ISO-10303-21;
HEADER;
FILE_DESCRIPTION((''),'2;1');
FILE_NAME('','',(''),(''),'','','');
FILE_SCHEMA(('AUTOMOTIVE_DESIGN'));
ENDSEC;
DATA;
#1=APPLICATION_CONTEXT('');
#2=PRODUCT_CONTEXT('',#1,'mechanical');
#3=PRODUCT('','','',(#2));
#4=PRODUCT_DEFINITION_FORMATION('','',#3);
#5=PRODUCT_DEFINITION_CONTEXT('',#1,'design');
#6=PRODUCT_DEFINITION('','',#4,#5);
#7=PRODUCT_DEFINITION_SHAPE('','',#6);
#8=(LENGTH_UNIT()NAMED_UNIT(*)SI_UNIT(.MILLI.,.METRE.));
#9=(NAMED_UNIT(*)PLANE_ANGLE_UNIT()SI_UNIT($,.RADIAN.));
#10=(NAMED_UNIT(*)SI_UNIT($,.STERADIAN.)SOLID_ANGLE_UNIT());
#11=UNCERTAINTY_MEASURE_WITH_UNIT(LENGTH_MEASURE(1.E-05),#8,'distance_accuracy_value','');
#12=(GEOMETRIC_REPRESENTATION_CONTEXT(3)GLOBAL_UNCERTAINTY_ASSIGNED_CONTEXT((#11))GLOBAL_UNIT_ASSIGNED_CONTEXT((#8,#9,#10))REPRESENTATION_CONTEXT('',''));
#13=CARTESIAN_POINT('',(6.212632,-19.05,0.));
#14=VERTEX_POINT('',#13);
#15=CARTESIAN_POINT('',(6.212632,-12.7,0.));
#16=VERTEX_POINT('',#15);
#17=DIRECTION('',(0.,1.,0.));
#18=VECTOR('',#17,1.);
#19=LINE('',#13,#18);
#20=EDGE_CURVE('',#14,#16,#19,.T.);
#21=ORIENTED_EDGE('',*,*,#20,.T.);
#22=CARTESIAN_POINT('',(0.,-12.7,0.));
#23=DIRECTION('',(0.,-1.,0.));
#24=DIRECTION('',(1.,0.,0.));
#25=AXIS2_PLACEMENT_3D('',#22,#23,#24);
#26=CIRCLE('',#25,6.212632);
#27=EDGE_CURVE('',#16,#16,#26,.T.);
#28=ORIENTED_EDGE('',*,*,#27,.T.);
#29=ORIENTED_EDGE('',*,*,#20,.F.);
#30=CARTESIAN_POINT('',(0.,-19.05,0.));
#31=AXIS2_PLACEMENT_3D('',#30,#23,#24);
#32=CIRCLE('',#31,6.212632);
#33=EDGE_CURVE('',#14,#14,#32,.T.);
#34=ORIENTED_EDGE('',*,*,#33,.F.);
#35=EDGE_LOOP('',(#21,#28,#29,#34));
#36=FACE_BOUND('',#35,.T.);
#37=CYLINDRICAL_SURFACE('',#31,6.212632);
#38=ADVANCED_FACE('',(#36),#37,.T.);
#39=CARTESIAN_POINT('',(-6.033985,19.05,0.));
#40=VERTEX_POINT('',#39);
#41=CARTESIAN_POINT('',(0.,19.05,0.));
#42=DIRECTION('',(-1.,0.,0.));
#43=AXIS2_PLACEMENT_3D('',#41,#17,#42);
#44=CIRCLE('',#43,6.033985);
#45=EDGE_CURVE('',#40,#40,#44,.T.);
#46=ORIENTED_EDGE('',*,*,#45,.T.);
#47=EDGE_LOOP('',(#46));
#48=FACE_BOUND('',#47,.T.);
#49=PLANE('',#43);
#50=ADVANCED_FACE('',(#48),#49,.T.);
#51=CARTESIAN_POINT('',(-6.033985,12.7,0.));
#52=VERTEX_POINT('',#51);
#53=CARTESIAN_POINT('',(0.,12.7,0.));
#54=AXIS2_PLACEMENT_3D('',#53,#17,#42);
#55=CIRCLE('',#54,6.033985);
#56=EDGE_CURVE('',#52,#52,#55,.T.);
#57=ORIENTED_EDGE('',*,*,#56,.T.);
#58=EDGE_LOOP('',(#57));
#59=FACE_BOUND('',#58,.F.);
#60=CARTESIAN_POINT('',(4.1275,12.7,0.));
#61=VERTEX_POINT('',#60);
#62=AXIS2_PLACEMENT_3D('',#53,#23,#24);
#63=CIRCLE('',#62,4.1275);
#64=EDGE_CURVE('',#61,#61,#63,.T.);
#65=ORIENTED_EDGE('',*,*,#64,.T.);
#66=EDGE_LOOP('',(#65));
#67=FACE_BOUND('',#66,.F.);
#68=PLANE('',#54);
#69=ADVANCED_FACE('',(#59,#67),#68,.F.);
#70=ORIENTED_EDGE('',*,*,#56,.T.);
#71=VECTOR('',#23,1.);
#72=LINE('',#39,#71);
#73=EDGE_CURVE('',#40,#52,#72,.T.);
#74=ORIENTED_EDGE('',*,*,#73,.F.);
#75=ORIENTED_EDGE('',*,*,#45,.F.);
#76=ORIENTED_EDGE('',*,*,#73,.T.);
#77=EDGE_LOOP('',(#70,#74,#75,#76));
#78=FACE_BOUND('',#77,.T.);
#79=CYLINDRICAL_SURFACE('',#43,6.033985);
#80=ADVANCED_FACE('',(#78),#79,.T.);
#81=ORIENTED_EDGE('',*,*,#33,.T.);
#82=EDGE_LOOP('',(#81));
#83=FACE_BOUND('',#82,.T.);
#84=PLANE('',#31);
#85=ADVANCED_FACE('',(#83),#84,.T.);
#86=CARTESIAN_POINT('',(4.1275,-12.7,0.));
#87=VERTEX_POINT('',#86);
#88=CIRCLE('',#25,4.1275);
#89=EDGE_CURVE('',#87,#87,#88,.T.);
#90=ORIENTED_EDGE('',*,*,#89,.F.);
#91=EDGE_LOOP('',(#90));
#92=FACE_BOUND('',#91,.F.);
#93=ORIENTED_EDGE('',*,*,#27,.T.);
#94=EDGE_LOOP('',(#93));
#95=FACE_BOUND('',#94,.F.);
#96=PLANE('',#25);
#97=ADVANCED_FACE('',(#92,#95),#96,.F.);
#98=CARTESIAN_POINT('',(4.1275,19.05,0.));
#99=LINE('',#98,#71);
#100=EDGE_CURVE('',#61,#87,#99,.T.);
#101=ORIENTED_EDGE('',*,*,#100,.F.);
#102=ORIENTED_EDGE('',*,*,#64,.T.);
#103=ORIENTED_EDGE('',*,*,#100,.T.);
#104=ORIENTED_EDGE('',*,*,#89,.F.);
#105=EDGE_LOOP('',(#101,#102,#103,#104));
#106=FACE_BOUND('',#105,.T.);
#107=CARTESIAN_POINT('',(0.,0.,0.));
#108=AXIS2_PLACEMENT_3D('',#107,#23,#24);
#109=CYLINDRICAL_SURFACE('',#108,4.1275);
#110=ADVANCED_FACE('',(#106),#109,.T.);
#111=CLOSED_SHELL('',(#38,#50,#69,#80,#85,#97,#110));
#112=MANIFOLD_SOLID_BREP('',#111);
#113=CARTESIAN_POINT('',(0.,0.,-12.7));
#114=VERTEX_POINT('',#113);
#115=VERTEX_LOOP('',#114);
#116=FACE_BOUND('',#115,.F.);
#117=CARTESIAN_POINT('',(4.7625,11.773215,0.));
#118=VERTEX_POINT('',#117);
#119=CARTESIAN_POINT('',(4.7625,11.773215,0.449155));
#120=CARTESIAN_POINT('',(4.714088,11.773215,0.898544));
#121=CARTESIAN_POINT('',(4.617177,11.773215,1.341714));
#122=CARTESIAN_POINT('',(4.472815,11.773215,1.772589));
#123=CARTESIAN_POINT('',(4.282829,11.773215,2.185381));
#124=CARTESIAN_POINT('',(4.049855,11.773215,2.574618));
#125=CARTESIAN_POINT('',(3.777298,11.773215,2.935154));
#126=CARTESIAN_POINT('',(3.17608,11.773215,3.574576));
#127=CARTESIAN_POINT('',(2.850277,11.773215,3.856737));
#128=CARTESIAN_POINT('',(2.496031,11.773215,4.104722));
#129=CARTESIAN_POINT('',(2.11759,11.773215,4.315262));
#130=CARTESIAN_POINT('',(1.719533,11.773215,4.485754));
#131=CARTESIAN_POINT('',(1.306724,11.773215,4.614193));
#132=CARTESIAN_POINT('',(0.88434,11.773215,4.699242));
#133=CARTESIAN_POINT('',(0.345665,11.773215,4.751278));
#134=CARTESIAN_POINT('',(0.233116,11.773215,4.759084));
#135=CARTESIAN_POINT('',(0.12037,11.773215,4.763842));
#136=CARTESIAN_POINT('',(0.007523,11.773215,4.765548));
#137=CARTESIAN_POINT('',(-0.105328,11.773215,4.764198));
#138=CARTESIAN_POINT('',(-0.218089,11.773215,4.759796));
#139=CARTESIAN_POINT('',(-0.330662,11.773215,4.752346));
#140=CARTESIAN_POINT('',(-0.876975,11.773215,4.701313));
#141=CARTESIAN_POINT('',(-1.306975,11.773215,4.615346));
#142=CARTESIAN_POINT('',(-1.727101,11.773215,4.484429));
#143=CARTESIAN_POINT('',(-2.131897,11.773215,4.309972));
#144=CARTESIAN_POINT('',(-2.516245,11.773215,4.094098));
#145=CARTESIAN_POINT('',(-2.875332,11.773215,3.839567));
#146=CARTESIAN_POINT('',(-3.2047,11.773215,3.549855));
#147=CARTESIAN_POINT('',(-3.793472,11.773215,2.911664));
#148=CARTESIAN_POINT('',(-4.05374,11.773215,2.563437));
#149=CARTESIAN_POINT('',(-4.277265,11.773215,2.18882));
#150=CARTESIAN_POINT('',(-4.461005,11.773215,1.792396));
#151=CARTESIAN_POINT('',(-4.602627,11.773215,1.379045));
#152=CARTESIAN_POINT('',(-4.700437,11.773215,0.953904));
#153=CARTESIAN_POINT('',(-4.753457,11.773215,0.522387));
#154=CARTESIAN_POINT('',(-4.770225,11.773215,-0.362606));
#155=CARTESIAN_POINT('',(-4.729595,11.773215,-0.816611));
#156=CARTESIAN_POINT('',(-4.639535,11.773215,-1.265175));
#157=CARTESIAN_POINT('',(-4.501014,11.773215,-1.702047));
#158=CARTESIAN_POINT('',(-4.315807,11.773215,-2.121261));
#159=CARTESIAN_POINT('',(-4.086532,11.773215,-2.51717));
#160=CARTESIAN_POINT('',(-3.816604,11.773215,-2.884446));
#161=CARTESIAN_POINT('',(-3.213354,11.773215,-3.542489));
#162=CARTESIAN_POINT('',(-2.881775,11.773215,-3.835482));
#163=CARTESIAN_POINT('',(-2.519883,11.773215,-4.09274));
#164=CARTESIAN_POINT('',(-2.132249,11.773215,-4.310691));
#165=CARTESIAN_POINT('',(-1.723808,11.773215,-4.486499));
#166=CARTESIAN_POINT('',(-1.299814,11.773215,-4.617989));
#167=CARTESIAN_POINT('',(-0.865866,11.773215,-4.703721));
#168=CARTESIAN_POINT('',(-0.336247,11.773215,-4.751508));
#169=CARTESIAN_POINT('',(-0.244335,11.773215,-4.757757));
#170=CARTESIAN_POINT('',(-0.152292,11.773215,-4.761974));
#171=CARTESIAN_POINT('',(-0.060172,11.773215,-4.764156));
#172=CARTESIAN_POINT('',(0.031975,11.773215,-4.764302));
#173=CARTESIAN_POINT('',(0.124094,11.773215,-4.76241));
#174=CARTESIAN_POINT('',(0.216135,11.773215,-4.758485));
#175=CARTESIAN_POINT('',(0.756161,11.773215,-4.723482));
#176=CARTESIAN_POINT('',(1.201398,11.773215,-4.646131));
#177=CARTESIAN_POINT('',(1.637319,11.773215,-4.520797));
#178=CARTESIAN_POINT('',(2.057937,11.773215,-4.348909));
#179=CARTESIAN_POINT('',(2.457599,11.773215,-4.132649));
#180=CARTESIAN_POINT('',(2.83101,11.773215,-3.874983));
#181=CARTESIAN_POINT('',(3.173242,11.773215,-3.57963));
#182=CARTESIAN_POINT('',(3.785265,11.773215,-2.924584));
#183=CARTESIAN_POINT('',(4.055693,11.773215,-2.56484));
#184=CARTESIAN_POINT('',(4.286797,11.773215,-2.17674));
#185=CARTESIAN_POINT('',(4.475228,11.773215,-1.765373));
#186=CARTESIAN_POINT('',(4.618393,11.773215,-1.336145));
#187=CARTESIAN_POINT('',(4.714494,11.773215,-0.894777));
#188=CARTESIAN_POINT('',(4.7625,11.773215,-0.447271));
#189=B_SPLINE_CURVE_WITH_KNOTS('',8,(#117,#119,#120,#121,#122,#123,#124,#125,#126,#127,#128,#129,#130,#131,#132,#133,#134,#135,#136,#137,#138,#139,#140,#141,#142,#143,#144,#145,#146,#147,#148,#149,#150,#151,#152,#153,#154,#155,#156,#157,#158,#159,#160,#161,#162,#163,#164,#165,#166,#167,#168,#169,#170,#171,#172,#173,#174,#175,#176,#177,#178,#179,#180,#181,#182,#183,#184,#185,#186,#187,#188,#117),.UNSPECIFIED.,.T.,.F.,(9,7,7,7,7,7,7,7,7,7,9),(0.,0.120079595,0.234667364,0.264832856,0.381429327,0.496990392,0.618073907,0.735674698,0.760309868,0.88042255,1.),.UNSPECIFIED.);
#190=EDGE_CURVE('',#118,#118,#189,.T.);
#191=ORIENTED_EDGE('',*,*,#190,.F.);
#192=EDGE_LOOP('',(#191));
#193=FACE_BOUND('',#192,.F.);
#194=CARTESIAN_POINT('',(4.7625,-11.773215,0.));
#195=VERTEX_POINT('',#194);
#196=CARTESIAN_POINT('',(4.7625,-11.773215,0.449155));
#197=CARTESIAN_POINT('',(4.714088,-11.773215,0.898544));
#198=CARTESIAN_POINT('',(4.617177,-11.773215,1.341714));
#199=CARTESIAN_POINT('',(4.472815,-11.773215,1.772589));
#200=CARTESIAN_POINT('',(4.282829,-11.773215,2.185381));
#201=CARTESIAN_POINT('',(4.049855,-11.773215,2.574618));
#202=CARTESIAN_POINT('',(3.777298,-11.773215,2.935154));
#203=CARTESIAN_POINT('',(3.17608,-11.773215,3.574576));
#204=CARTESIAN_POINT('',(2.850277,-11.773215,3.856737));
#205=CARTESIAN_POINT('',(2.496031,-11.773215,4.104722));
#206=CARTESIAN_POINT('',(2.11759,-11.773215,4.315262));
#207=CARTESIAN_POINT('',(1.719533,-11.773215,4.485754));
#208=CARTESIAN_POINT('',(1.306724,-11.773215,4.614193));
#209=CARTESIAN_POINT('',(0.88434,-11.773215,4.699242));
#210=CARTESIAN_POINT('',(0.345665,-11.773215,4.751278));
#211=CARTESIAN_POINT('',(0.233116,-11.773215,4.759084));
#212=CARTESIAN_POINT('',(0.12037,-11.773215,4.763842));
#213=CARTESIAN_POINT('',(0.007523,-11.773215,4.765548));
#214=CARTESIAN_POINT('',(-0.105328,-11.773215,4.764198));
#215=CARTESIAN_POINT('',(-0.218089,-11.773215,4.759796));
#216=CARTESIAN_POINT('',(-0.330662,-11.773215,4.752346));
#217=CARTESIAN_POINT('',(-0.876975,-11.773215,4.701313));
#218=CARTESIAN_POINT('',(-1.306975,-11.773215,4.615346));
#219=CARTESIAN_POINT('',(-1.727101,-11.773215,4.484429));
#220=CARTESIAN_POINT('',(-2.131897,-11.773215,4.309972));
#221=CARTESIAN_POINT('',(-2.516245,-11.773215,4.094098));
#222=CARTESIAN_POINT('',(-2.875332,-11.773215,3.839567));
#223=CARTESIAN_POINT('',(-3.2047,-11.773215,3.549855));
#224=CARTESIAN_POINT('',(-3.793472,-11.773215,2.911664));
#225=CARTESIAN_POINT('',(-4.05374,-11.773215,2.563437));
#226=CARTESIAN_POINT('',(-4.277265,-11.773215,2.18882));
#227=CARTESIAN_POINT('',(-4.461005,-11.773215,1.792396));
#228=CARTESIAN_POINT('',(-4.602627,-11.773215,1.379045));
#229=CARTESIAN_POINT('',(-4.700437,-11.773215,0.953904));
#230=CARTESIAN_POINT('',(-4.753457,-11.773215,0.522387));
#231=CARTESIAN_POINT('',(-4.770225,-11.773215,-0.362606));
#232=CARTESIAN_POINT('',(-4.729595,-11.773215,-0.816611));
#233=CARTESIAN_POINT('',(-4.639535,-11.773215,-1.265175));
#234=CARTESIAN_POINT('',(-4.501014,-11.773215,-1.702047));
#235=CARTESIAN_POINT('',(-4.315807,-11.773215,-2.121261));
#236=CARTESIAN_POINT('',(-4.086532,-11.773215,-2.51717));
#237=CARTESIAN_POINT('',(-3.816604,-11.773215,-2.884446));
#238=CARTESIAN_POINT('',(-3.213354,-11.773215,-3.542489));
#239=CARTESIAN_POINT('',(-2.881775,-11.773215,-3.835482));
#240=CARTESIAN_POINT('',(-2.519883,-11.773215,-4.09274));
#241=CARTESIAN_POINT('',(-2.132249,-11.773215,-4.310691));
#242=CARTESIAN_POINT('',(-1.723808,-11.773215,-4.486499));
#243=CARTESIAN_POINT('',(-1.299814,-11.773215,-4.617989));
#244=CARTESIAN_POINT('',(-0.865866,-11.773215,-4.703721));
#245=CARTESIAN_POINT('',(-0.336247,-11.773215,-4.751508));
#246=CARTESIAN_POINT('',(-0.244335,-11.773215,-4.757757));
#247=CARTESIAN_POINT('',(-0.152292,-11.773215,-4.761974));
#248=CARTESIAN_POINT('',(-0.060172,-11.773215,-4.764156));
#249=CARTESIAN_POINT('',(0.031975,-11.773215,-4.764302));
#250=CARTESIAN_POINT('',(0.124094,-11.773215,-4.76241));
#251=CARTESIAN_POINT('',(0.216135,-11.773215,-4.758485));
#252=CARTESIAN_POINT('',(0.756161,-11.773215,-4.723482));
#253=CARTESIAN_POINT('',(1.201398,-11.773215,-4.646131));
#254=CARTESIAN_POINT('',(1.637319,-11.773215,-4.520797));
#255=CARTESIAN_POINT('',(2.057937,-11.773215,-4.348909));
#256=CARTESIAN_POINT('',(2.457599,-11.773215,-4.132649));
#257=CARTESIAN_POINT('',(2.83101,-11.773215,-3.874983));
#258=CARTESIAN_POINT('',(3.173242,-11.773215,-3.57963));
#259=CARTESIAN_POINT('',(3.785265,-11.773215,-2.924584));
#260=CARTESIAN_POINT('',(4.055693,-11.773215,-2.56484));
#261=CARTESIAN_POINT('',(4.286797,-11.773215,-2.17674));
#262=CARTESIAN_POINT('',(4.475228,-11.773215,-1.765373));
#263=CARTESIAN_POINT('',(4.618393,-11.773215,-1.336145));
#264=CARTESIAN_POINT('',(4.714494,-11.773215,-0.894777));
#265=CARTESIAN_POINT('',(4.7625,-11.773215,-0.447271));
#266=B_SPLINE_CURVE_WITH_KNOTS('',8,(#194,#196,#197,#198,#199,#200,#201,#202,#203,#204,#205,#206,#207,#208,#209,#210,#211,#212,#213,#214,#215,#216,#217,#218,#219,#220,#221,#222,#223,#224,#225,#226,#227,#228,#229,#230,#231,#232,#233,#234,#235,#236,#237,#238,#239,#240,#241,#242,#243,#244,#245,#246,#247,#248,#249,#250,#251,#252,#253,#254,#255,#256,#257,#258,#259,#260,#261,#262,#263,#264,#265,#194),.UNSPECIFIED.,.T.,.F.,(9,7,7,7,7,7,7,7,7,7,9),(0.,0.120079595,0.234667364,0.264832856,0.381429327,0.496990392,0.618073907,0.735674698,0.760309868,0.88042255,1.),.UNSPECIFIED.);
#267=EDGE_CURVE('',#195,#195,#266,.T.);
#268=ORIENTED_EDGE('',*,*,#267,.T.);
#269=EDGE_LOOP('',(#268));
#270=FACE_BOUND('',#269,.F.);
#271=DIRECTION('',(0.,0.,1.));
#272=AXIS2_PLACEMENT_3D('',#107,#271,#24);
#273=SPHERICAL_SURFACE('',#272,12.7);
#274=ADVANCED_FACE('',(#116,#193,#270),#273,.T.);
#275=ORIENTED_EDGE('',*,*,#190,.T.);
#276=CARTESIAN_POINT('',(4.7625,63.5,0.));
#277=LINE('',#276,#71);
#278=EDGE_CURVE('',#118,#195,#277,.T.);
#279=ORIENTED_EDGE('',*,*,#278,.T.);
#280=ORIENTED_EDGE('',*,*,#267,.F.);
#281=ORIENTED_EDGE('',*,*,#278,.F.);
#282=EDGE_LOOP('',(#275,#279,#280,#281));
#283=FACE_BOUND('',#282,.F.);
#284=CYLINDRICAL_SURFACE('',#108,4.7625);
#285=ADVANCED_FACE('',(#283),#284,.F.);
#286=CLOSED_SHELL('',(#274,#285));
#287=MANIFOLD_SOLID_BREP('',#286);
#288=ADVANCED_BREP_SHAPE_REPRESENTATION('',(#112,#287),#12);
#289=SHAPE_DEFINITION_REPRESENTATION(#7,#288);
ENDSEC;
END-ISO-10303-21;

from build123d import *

# Parameters (mm, degrees)
F2_R     = 4.7625
F3_DEPTH = 63.5
F4_R     = 4.1275
F5_DEPTH = 19.05
F6_R     = 6.212632
F6_R_2   = 4.1275
F7_DEPTH = 6.35
F8_R     = 6.033985
F9_DEPTH = 6.35


with BuildPart() as f1:
    # F0 (on Front) → F1 (revolve)
    with BuildSketch(Plane.XZ):
        with BuildLine():
            Line((0, 12.7), (0, -12.7))
            ThreePointArc((0, -12.7), (12.7, 0), (0, 12.7))
        make_face()
    revolve(axis=Axis((0, 0, 0), (0, 0, -1)))

    # F2 (on Front) → F3 (cut, symmetric)
    with BuildSketch(Plane.XZ):
        Circle(F2_R)
    extrude(amount=F3_DEPTH, both=True, mode=Mode.SUBTRACT)


with BuildPart() as f5:
    # F4 (on Front) → F5 (new body, symmetric)
    with BuildSketch(Plane.XZ):
        Circle(F4_R)
    extrude(amount=F5_DEPTH, both=True)

    # F6 (on face) → F7 (join)
    with BuildSketch(Plane.XZ.offset(19.05)):
        Circle(F6_R)
        Circle(F6_R_2, mode=Mode.SUBTRACT)
    extrude(amount=-F7_DEPTH)

    # F8 (on face) → F9 (join)
    with BuildSketch(Plane(origin=(0, 19.05, 0), x_dir=(-1, 0, 0), z_dir=(0, 1, 0))):
        Circle(F8_R)
    extrude(amount=-F9_DEPTH)


solid = Compound([f1.part, f5.part])
